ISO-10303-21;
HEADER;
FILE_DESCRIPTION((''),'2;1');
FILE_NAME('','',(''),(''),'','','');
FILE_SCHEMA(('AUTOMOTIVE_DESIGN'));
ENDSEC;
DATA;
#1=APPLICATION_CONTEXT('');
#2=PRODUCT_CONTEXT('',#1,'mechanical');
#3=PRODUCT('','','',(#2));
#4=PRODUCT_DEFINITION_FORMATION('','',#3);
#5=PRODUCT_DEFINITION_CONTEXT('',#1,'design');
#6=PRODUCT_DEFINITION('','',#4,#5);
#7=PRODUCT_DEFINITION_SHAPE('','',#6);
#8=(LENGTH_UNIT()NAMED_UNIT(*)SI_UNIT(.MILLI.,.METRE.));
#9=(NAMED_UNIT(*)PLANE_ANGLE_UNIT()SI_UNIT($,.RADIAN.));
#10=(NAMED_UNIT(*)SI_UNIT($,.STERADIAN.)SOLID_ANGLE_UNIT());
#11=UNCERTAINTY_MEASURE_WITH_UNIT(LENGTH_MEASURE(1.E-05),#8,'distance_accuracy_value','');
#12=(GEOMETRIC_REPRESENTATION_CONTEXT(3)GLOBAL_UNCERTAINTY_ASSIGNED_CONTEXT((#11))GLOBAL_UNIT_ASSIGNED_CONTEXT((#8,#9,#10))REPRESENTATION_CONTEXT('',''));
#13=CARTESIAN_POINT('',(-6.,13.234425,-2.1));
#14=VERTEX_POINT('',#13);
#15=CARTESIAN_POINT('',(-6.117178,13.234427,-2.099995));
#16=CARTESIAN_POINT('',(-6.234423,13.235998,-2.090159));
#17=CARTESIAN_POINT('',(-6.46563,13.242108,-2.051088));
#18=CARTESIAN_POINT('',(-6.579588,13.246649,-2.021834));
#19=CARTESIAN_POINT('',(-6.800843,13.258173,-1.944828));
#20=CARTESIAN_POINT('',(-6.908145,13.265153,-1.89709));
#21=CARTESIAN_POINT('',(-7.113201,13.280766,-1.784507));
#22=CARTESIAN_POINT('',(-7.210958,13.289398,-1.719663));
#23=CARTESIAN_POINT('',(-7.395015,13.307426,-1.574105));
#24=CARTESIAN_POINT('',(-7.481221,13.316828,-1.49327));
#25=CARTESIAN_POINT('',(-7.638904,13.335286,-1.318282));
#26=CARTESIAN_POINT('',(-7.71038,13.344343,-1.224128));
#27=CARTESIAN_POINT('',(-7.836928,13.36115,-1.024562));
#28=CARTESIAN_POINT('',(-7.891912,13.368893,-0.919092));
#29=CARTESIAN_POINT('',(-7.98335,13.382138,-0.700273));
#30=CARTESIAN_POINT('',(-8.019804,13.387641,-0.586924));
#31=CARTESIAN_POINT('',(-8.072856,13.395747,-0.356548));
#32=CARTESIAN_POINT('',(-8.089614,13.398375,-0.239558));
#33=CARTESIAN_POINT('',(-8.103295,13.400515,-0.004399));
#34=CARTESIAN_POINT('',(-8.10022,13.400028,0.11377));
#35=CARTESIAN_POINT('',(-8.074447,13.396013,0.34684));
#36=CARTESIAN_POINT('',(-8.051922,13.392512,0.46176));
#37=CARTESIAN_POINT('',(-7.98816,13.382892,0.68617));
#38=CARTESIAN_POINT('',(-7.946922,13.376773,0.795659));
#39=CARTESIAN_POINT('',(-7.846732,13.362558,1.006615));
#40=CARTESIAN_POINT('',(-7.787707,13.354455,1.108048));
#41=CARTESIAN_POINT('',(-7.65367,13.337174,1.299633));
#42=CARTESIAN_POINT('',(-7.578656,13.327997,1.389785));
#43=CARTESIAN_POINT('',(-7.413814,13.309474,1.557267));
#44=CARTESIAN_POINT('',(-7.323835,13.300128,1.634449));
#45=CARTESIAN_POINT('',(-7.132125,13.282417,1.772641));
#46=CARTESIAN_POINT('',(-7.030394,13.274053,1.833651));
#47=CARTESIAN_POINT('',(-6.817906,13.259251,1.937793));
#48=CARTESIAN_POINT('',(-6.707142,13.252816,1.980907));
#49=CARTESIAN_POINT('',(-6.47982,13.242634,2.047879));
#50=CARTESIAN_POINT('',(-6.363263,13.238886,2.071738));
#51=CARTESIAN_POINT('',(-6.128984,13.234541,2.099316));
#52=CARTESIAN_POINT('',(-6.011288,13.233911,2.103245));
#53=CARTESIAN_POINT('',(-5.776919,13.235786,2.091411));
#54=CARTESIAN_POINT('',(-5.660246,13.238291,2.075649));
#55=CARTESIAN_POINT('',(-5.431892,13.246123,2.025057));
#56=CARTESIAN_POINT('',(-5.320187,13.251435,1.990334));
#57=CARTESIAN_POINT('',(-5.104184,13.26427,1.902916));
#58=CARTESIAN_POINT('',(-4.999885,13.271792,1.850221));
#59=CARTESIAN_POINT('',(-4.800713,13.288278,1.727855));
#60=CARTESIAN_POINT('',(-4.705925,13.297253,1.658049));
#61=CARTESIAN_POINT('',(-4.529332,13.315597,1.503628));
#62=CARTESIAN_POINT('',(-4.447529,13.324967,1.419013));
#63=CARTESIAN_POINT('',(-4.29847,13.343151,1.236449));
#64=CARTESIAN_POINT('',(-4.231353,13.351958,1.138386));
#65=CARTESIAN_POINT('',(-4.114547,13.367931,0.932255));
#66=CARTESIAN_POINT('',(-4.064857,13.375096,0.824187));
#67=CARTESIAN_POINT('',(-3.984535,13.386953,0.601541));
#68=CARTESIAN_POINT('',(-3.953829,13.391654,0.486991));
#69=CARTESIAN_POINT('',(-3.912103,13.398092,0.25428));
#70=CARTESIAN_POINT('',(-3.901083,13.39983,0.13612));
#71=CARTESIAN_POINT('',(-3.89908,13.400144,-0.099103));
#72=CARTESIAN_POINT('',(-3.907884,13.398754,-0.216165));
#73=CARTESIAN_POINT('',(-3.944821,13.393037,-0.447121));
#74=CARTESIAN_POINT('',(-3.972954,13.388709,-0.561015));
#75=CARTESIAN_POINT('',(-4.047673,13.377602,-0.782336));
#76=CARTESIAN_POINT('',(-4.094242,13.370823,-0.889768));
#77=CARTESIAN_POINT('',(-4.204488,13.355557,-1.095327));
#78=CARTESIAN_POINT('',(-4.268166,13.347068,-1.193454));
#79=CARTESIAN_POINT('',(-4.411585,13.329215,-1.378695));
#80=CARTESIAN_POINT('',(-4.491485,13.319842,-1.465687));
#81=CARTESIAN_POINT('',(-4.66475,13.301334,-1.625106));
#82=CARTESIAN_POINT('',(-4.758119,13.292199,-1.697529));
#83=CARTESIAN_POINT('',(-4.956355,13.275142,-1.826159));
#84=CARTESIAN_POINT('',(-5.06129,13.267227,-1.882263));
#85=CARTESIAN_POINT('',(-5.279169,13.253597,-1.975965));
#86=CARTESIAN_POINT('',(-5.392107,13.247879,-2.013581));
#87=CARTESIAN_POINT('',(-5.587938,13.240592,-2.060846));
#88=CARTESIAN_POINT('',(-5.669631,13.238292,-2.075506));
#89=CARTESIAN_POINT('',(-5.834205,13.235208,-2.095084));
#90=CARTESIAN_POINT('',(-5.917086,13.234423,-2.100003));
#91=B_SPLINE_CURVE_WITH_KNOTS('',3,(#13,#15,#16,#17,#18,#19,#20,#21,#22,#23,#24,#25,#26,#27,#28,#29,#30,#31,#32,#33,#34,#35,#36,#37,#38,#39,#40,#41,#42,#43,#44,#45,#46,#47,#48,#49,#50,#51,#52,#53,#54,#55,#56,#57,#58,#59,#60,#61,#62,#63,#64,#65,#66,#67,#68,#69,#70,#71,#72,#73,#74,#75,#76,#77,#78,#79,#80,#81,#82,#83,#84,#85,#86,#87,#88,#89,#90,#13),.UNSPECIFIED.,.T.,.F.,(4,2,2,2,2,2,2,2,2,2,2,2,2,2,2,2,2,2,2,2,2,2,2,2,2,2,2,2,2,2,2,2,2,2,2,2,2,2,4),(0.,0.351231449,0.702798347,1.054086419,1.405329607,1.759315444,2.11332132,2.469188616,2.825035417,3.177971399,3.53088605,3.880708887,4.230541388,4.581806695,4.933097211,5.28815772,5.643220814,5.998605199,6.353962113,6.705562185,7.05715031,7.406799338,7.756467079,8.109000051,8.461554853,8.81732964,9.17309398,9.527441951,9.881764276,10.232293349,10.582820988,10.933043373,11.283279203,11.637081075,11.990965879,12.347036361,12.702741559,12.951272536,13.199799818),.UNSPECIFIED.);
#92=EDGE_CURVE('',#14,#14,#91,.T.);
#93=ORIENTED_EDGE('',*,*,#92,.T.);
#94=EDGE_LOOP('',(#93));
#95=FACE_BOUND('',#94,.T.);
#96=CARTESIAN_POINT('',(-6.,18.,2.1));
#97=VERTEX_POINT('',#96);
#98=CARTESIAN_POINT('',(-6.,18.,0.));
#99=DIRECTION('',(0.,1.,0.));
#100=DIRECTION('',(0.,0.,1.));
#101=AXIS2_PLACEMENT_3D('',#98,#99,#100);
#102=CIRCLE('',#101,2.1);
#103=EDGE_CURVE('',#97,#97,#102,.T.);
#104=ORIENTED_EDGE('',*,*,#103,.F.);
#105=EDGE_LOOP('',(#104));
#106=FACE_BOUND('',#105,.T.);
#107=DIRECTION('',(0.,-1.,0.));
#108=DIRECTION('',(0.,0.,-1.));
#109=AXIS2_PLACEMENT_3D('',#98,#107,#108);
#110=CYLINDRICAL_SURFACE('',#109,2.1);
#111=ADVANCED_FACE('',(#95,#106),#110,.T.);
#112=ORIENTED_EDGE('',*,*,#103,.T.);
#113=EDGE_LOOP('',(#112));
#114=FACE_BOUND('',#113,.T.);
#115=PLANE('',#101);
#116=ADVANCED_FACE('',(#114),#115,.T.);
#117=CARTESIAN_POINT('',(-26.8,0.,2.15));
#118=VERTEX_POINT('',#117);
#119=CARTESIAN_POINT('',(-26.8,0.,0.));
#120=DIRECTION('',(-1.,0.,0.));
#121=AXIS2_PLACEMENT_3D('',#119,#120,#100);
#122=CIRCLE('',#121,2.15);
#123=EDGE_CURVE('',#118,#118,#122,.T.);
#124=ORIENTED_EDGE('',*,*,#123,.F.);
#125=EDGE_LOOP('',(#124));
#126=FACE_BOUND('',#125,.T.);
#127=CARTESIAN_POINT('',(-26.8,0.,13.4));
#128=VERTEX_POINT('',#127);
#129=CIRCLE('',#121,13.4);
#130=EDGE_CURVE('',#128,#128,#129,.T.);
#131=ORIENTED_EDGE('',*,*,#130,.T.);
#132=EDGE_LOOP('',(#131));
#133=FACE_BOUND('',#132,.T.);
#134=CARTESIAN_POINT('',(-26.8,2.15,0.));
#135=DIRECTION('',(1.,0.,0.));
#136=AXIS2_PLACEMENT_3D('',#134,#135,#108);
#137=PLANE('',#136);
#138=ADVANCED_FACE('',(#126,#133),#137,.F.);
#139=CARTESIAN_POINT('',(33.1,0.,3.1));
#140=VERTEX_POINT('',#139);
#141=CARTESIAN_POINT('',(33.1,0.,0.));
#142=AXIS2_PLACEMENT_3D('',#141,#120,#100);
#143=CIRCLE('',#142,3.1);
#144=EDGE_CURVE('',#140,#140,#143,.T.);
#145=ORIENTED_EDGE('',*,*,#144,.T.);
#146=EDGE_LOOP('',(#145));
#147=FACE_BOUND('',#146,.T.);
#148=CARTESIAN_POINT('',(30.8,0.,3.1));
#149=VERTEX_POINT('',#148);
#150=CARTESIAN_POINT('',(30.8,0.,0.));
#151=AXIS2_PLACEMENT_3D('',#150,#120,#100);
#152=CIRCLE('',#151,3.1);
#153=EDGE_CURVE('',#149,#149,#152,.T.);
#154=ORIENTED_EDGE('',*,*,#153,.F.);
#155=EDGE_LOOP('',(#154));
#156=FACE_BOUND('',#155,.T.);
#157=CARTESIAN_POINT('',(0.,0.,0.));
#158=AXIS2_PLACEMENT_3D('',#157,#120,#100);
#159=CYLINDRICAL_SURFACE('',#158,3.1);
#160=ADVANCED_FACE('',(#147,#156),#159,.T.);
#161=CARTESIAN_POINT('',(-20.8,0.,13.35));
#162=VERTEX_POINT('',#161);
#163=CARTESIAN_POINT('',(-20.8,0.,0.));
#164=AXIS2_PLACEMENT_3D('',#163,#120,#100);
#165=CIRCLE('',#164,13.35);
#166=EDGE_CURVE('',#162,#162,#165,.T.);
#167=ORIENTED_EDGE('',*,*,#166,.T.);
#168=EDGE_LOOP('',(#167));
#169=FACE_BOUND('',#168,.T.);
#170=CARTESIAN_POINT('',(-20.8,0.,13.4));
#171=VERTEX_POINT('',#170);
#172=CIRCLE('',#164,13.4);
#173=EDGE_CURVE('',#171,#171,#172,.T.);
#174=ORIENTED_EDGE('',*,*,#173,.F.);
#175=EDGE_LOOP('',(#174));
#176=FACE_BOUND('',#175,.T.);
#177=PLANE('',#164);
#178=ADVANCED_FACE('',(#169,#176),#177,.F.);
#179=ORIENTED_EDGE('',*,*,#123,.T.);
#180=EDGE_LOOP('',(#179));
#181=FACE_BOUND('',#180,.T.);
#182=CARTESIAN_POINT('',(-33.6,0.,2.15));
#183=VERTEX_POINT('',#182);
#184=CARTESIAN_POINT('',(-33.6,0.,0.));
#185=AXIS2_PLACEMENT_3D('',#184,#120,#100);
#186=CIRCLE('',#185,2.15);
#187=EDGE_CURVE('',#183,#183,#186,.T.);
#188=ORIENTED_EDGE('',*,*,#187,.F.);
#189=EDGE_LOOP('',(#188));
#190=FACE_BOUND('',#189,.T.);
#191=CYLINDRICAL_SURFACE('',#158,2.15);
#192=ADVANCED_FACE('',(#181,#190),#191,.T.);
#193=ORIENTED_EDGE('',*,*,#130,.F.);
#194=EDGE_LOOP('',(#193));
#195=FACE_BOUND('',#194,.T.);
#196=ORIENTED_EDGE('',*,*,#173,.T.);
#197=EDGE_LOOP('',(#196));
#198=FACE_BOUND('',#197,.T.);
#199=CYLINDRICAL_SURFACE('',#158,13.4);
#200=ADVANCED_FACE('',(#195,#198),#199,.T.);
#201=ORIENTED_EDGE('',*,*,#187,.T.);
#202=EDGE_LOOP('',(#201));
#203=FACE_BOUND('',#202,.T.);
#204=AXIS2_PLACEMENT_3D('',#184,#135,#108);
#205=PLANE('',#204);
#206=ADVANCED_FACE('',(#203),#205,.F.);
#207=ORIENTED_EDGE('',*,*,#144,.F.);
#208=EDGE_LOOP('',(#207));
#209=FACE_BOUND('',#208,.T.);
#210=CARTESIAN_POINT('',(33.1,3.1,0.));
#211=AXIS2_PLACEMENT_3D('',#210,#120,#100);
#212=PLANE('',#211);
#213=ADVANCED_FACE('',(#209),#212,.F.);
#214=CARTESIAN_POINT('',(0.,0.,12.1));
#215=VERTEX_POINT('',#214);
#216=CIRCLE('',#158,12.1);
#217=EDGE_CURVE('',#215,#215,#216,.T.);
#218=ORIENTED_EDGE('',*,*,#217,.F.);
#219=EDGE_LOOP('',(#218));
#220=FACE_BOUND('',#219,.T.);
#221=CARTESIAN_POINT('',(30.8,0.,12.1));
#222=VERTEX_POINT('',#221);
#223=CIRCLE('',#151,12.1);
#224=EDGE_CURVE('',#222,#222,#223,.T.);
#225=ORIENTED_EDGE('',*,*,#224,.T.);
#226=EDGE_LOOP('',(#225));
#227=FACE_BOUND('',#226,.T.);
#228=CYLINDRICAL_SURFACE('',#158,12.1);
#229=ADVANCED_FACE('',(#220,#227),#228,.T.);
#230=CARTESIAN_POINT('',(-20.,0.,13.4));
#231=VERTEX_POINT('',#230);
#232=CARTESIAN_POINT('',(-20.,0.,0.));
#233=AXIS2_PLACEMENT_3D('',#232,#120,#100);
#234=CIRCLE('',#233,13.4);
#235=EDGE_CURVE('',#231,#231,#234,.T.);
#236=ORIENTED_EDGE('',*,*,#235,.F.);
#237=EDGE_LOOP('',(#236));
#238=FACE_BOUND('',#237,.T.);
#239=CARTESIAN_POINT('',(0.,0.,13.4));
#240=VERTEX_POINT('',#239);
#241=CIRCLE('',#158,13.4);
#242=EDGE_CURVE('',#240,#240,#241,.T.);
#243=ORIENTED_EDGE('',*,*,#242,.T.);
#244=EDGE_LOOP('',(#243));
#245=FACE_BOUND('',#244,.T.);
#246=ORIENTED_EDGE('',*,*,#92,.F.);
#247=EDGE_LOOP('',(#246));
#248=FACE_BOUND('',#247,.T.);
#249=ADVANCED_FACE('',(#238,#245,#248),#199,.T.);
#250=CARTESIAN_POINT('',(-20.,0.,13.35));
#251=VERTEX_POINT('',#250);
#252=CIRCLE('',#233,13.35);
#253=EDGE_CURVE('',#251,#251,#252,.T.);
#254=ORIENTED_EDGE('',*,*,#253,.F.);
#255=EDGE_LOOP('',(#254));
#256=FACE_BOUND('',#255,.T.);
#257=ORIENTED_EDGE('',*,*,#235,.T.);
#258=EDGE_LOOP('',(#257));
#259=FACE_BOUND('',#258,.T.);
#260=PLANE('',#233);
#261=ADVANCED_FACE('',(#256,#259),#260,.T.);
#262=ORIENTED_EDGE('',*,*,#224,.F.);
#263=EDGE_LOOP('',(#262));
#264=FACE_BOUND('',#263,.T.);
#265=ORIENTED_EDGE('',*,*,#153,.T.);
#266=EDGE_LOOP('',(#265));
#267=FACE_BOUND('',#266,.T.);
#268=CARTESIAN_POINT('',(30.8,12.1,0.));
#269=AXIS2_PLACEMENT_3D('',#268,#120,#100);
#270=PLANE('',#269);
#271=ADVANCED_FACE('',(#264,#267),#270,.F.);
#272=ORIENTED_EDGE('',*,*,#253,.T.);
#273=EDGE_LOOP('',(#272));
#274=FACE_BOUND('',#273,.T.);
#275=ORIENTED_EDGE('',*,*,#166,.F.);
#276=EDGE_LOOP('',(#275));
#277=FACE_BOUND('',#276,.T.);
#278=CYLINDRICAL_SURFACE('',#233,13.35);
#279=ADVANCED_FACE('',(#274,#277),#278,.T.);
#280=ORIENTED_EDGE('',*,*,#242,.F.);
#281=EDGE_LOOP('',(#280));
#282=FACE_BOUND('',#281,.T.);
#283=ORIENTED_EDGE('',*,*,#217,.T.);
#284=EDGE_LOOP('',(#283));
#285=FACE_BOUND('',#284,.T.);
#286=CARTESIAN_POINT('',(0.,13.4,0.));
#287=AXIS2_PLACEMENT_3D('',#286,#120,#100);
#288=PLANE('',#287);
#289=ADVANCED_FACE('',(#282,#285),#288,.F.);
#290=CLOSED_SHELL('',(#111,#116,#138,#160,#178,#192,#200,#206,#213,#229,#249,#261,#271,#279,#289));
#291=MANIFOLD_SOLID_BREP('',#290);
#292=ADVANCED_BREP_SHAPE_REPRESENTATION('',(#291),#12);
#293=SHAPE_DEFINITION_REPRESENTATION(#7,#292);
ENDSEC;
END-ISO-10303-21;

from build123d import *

# Parameters (mm, degrees)
ESQUISSE2_R             = 2.1
BOSS_EXTRU_1_DEPTH      = 18
ENL_V_START             = -6.8
ESQUISSE3_R             = 13.4
ESQUISSE3_R_2           = 13.35
ENL_V_MAT_EXTRU_1_DEPTH = 0.8


with BuildPart() as part:
    # Esquisse1 → Révolution1 (revolve)
    with BuildSketch(Plane.XY, mode=Mode.PRIVATE) as r_volution1_sk:
        Polygon((-33.6, 0), (-33.6, 2.15), (-26.8, 2.15), (-26.8, 13.4), (0, 13.4), (0, 12.1), (30.8, 12.1), (30.8, 3.1), (33.1, 3.1), (33.1, 0), align=None)
    revolve(r_volution1_sk.sketch.rotate(Axis((0, 0, 0), (1, 0, 0)), 90), axis=Axis((0, 0, 0), (1, 0, 0)))

    # Esquisse2 → Boss.-Extru.1 (add)
    with BuildSketch(Plane(origin=(0, 0, 0), x_dir=(1, 0, 0), z_dir=(0, 1, 0))):
        with Locations(Location((-6, 0, 0), (0, 0, 90))):
            Circle(ESQUISSE2_R)
    extrude(amount=BOSS_EXTRU_1_DEPTH)

    # Esquisse3 → Enlèv. mat.-Extru.1 (cut)
    with BuildSketch(Plane.ZY.offset(26.8).offset(ENL_V_START)):
        Circle(ESQUISSE3_R)
        Circle(ESQUISSE3_R_2, mode=Mode.SUBTRACT)
    extrude(amount=ENL_V_MAT_EXTRU_1_DEPTH, mode=Mode.SUBTRACT)


solid = part.part
